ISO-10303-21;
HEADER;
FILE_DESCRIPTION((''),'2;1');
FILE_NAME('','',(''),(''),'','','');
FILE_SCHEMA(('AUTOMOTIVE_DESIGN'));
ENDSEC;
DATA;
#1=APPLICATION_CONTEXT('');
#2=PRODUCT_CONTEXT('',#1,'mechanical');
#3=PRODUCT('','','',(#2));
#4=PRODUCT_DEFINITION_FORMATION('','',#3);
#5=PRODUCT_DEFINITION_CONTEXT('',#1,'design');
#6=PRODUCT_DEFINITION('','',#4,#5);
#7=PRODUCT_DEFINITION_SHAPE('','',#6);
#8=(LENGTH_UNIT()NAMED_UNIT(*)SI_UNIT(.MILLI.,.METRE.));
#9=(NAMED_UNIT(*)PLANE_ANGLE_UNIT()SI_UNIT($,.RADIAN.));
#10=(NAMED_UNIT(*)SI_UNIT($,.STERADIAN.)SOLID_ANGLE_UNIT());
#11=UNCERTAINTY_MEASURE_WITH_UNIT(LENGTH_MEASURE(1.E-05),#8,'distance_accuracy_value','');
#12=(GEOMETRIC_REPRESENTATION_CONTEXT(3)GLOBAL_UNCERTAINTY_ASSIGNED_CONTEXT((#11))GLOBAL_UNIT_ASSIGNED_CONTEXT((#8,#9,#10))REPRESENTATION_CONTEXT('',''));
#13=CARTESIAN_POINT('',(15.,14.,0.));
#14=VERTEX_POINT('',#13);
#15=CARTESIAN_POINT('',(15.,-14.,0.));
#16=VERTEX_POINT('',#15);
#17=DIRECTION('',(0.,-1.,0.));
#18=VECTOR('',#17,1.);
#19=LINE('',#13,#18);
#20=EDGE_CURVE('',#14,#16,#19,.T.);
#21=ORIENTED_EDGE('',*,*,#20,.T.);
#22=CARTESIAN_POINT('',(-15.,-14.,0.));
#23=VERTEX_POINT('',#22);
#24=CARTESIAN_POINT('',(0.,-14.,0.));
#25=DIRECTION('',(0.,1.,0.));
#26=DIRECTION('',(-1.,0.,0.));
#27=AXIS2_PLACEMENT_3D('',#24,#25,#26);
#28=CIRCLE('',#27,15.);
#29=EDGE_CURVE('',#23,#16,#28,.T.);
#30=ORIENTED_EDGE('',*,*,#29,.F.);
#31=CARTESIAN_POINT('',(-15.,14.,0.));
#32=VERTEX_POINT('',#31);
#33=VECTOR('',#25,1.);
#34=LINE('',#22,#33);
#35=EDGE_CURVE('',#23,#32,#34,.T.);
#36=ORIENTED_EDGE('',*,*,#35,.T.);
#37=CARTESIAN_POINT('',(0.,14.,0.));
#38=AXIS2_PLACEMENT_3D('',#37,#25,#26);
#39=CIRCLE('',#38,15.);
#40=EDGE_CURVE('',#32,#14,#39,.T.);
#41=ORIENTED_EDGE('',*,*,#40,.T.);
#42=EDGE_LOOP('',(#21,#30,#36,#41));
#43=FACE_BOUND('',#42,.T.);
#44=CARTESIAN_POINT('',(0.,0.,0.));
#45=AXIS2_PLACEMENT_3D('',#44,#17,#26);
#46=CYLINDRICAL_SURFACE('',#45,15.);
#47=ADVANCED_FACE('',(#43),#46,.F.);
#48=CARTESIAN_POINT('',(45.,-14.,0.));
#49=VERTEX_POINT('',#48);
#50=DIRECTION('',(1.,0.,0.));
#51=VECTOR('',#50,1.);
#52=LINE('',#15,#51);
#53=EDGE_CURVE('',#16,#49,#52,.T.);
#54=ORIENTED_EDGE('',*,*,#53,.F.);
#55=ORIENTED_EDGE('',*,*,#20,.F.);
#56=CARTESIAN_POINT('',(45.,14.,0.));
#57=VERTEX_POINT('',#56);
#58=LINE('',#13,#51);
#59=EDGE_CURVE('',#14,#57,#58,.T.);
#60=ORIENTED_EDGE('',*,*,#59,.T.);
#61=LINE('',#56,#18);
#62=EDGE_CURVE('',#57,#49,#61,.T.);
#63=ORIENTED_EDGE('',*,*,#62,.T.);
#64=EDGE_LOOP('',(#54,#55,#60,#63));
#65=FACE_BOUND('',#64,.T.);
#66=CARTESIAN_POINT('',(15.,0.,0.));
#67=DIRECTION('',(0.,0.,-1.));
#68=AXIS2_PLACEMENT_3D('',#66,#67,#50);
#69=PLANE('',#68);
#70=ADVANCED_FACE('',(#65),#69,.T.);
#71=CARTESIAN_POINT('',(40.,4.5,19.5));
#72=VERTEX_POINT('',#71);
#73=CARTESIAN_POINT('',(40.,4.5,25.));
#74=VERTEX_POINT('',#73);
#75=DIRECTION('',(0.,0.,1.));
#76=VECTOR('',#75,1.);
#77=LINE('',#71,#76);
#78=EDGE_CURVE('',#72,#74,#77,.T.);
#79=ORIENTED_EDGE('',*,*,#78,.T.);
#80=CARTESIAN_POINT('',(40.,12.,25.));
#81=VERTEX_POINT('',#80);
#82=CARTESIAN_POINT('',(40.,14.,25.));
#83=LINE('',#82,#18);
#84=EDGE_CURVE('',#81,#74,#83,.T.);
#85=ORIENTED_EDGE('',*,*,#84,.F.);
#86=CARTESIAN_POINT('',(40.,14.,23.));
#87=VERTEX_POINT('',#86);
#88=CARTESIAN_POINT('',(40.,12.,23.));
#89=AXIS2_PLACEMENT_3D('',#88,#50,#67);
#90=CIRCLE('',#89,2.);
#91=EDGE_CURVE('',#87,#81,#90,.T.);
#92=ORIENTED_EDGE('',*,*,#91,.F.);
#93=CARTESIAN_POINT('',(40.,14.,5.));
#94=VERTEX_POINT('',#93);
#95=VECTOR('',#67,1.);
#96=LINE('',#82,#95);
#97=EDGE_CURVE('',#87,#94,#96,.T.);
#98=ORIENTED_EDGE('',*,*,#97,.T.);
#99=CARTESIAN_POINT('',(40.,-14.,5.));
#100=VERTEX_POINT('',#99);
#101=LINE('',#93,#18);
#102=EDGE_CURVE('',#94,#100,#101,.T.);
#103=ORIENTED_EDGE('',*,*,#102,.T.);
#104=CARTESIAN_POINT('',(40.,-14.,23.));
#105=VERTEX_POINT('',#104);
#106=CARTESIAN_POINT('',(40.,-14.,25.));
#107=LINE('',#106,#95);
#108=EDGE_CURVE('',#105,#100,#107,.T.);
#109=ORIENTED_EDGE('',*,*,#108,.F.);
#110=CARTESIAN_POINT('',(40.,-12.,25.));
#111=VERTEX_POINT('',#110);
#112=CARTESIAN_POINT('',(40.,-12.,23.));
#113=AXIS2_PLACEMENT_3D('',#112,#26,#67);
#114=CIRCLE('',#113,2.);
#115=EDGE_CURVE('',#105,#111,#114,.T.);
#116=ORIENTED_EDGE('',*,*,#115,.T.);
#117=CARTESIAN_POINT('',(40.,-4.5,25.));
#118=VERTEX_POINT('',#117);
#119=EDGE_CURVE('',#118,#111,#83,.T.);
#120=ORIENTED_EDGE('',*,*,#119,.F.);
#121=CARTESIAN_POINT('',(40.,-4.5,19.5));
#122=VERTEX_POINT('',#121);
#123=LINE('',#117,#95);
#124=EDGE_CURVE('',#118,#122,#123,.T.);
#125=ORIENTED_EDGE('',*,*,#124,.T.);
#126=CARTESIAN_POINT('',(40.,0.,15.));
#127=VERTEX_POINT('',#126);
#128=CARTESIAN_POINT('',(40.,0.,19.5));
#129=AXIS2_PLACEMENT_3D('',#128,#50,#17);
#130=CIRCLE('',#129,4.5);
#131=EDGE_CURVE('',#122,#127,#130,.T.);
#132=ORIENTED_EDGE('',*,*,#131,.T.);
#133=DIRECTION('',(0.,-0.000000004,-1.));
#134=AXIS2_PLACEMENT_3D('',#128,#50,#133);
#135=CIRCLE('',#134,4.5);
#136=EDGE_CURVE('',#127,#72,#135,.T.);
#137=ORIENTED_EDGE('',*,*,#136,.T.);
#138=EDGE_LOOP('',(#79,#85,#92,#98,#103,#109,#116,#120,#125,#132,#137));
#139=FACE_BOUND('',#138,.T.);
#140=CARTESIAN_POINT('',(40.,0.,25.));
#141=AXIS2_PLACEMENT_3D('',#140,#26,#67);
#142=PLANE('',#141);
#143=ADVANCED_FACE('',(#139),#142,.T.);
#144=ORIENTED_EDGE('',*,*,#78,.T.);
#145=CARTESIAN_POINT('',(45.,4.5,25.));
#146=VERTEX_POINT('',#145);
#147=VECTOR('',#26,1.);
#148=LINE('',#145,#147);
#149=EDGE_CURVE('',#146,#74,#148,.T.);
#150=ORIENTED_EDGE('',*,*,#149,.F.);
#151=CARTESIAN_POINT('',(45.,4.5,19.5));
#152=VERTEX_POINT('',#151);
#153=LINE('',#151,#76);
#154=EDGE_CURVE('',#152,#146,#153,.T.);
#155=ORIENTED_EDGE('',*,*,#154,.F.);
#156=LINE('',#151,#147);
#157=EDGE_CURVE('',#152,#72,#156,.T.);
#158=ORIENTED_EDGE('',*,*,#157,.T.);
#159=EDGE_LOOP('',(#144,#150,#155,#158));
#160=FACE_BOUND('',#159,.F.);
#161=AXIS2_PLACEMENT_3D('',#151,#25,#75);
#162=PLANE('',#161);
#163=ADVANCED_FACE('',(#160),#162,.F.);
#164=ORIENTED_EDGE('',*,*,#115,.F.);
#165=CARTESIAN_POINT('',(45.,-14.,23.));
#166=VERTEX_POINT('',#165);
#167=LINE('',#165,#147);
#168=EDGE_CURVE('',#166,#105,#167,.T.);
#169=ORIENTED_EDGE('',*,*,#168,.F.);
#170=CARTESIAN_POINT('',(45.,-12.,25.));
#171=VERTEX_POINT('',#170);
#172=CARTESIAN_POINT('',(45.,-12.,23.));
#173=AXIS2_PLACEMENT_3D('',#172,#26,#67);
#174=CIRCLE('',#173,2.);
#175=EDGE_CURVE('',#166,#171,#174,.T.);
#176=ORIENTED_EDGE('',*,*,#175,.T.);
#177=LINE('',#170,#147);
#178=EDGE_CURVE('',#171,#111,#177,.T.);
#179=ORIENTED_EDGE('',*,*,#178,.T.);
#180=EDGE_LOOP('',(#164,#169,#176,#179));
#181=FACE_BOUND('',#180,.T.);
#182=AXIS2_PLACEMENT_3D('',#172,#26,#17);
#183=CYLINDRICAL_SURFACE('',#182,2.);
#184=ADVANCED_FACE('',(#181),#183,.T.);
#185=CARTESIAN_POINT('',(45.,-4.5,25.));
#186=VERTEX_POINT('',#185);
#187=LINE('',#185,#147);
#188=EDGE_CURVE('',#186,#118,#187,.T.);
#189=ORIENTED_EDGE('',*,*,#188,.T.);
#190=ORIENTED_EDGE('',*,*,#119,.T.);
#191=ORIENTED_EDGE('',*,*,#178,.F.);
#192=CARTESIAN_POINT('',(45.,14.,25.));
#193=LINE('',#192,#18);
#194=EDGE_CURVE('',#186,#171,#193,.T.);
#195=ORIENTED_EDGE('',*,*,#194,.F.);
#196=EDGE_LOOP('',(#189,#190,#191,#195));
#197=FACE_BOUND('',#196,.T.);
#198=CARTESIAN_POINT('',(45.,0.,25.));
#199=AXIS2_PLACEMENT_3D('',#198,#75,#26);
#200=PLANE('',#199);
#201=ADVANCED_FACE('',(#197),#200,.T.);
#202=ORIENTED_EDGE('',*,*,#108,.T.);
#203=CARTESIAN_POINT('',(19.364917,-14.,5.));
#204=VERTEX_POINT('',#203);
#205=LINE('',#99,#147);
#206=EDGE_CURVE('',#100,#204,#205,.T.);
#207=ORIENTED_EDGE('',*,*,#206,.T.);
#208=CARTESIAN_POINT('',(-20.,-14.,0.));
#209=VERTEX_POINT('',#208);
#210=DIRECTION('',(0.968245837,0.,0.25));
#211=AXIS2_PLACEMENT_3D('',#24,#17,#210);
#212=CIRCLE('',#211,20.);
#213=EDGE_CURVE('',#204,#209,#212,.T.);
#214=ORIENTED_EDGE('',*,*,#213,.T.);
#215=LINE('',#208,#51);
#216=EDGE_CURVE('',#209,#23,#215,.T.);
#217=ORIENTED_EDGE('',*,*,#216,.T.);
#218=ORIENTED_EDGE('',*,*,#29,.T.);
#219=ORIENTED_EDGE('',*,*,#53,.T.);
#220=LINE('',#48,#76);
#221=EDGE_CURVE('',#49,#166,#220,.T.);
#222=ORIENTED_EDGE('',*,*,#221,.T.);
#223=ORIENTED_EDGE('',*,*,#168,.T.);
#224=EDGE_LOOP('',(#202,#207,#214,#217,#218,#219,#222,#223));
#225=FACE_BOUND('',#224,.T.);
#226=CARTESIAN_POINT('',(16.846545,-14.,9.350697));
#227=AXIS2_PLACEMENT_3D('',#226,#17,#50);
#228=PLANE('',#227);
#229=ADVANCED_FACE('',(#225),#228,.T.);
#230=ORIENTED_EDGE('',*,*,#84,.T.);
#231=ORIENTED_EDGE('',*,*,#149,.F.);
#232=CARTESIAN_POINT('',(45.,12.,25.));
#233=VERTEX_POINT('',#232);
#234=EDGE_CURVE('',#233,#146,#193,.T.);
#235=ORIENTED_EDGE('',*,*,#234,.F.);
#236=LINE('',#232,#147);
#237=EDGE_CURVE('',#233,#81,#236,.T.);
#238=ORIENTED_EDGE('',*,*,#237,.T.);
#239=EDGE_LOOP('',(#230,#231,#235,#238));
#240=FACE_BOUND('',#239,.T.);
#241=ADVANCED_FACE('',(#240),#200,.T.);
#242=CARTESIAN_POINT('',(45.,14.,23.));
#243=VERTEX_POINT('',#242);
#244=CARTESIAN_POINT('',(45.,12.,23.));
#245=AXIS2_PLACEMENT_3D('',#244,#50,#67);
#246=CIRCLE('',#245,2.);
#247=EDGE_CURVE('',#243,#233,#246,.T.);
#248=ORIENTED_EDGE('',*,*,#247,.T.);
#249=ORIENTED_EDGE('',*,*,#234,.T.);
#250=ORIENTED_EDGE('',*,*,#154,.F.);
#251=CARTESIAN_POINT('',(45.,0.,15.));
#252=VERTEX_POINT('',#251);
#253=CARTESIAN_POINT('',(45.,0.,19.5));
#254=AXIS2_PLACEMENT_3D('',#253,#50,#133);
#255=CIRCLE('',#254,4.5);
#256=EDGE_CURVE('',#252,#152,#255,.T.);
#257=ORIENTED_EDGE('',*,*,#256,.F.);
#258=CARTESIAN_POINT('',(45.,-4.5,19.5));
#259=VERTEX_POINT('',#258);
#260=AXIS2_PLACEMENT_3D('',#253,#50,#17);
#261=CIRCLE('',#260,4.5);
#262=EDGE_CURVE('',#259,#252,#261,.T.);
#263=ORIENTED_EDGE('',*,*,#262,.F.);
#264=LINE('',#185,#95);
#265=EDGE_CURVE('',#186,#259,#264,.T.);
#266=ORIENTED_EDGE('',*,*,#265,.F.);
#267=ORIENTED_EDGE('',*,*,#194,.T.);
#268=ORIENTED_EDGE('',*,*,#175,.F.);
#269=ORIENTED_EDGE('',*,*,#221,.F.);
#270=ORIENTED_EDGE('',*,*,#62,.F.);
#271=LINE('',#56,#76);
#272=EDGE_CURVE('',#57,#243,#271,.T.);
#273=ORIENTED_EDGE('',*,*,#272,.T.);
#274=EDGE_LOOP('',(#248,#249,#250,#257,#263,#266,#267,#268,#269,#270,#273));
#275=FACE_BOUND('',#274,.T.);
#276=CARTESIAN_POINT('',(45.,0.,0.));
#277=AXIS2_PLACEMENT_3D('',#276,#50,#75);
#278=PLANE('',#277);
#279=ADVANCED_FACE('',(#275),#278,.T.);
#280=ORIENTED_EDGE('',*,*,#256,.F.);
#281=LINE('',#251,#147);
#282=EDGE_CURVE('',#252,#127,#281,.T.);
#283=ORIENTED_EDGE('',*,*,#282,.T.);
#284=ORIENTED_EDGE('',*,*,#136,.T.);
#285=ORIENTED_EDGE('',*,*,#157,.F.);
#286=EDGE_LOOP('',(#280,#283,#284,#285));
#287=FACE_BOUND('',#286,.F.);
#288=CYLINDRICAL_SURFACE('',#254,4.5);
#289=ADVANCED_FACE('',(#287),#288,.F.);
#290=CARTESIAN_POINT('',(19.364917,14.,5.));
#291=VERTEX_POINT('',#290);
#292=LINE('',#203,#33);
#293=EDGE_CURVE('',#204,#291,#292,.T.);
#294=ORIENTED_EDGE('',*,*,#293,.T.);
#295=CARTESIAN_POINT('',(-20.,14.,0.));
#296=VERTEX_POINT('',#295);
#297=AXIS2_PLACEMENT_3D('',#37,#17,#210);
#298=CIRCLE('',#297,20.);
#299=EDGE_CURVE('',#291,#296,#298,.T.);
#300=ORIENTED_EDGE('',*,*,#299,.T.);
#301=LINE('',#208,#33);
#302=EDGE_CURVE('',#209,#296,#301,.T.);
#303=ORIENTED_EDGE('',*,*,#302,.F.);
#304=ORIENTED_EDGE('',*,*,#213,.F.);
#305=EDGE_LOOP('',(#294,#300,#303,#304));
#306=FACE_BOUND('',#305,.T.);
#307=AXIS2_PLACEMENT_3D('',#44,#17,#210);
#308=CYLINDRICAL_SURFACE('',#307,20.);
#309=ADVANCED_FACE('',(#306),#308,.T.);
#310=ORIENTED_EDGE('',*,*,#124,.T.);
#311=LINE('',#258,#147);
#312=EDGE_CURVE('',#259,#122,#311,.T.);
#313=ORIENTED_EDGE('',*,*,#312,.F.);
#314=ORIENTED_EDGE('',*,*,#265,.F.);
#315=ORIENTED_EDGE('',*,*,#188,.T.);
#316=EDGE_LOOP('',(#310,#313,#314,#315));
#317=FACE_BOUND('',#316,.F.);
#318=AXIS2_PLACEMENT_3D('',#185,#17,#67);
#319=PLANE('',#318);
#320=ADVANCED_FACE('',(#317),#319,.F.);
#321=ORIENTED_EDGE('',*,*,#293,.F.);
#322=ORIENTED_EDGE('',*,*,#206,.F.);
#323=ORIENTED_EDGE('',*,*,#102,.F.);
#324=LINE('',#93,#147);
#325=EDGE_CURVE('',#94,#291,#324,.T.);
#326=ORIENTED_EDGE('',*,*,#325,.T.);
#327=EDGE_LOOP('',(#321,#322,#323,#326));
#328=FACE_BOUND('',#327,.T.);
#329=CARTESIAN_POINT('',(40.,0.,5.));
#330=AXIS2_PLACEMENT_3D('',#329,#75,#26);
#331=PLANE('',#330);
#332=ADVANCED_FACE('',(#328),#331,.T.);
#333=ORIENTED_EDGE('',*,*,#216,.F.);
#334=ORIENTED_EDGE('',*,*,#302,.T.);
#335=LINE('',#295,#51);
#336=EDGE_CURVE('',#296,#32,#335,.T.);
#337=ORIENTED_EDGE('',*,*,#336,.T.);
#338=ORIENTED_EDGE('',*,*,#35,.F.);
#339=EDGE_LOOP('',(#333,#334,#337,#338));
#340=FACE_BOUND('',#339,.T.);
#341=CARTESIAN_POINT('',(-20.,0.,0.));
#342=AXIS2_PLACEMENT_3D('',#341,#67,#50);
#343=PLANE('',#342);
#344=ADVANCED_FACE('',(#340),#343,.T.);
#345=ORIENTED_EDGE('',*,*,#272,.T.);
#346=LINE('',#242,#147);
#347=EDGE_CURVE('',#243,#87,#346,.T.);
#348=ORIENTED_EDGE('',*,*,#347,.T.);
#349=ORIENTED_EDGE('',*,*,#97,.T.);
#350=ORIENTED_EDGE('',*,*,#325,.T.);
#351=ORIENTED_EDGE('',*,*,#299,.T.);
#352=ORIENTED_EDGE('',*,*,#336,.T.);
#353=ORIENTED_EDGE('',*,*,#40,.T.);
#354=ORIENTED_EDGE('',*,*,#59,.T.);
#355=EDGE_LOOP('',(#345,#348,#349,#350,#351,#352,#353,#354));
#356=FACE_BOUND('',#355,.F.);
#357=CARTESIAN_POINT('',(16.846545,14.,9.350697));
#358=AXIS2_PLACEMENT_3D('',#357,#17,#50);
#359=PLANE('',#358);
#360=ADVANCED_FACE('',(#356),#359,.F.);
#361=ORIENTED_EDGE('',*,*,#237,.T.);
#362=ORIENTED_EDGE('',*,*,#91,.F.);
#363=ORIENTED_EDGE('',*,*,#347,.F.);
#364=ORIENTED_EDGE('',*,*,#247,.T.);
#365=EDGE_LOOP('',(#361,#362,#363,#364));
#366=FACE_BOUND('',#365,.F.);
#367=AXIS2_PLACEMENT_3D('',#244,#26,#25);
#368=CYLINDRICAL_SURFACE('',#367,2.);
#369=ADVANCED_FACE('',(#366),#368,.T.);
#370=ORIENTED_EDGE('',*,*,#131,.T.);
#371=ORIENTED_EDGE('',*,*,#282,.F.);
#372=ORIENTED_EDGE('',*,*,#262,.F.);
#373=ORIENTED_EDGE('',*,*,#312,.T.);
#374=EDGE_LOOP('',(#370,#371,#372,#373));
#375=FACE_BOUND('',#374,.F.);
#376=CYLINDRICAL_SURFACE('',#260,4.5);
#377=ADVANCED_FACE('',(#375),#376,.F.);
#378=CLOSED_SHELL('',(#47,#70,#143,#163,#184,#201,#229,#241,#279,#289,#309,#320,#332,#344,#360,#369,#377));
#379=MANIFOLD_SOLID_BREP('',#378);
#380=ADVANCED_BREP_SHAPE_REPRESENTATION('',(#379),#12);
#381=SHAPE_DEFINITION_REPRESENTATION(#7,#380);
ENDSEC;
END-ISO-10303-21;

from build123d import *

# Parameters (mm, degrees)
F1_DEPTH = 14
F3_DEPTH = 5
F4_R     = 2


with BuildPart() as f1:
    # F0 (on Front) → F1 (new body, symmetric)
    with BuildSketch(Plane.XZ):
        with BuildLine():
            ThreePointArc((-15, 0), (0, 15), (15, 0))
            Line((15, 0), (45, 0))
            Line((45, 0), (45, 25))
            Line((45, 25), (40, 25))
            Line((40, 25), (40, 5))
            Line((40, 5), (19.364916731, 5))
            ThreePointArc((19.364916731, 5), (-2.5200858497, 19.8405939253), (-20, 0))
            Line((-20, 0), (-15, 0))
        make_face()
    extrude(amount=F1_DEPTH, both=True)

    # F2 (on face) → F3 (cut, through all)
    with BuildSketch(Plane.YZ.offset(45)):
        with BuildLine():
            ThreePointArc((-4.5, 19.5), (-3.1819805217, 16.318019491), (-1.79e-08, 15))
            ThreePointArc((-1.79e-08, 15), (3.181980509, 16.3180194783), (4.5, 19.5))
            Line((4.5, 19.5), (4.5, 25))
            Line((4.5, 25), (-4.5, 25))
            Line((-4.5, 25), (-4.5, 19.5))
        make_face()
    extrude(amount=-F3_DEPTH, mode=Mode.SUBTRACT)

    # F4
    f4_edges = [f1.edges().sort_by_distance(p)[0] for p in [
        (42.5, -14, 25),
        (42.5, 14, 25),
    ]]
    fillet(f4_edges, radius=F4_R)


solid = f1.part
